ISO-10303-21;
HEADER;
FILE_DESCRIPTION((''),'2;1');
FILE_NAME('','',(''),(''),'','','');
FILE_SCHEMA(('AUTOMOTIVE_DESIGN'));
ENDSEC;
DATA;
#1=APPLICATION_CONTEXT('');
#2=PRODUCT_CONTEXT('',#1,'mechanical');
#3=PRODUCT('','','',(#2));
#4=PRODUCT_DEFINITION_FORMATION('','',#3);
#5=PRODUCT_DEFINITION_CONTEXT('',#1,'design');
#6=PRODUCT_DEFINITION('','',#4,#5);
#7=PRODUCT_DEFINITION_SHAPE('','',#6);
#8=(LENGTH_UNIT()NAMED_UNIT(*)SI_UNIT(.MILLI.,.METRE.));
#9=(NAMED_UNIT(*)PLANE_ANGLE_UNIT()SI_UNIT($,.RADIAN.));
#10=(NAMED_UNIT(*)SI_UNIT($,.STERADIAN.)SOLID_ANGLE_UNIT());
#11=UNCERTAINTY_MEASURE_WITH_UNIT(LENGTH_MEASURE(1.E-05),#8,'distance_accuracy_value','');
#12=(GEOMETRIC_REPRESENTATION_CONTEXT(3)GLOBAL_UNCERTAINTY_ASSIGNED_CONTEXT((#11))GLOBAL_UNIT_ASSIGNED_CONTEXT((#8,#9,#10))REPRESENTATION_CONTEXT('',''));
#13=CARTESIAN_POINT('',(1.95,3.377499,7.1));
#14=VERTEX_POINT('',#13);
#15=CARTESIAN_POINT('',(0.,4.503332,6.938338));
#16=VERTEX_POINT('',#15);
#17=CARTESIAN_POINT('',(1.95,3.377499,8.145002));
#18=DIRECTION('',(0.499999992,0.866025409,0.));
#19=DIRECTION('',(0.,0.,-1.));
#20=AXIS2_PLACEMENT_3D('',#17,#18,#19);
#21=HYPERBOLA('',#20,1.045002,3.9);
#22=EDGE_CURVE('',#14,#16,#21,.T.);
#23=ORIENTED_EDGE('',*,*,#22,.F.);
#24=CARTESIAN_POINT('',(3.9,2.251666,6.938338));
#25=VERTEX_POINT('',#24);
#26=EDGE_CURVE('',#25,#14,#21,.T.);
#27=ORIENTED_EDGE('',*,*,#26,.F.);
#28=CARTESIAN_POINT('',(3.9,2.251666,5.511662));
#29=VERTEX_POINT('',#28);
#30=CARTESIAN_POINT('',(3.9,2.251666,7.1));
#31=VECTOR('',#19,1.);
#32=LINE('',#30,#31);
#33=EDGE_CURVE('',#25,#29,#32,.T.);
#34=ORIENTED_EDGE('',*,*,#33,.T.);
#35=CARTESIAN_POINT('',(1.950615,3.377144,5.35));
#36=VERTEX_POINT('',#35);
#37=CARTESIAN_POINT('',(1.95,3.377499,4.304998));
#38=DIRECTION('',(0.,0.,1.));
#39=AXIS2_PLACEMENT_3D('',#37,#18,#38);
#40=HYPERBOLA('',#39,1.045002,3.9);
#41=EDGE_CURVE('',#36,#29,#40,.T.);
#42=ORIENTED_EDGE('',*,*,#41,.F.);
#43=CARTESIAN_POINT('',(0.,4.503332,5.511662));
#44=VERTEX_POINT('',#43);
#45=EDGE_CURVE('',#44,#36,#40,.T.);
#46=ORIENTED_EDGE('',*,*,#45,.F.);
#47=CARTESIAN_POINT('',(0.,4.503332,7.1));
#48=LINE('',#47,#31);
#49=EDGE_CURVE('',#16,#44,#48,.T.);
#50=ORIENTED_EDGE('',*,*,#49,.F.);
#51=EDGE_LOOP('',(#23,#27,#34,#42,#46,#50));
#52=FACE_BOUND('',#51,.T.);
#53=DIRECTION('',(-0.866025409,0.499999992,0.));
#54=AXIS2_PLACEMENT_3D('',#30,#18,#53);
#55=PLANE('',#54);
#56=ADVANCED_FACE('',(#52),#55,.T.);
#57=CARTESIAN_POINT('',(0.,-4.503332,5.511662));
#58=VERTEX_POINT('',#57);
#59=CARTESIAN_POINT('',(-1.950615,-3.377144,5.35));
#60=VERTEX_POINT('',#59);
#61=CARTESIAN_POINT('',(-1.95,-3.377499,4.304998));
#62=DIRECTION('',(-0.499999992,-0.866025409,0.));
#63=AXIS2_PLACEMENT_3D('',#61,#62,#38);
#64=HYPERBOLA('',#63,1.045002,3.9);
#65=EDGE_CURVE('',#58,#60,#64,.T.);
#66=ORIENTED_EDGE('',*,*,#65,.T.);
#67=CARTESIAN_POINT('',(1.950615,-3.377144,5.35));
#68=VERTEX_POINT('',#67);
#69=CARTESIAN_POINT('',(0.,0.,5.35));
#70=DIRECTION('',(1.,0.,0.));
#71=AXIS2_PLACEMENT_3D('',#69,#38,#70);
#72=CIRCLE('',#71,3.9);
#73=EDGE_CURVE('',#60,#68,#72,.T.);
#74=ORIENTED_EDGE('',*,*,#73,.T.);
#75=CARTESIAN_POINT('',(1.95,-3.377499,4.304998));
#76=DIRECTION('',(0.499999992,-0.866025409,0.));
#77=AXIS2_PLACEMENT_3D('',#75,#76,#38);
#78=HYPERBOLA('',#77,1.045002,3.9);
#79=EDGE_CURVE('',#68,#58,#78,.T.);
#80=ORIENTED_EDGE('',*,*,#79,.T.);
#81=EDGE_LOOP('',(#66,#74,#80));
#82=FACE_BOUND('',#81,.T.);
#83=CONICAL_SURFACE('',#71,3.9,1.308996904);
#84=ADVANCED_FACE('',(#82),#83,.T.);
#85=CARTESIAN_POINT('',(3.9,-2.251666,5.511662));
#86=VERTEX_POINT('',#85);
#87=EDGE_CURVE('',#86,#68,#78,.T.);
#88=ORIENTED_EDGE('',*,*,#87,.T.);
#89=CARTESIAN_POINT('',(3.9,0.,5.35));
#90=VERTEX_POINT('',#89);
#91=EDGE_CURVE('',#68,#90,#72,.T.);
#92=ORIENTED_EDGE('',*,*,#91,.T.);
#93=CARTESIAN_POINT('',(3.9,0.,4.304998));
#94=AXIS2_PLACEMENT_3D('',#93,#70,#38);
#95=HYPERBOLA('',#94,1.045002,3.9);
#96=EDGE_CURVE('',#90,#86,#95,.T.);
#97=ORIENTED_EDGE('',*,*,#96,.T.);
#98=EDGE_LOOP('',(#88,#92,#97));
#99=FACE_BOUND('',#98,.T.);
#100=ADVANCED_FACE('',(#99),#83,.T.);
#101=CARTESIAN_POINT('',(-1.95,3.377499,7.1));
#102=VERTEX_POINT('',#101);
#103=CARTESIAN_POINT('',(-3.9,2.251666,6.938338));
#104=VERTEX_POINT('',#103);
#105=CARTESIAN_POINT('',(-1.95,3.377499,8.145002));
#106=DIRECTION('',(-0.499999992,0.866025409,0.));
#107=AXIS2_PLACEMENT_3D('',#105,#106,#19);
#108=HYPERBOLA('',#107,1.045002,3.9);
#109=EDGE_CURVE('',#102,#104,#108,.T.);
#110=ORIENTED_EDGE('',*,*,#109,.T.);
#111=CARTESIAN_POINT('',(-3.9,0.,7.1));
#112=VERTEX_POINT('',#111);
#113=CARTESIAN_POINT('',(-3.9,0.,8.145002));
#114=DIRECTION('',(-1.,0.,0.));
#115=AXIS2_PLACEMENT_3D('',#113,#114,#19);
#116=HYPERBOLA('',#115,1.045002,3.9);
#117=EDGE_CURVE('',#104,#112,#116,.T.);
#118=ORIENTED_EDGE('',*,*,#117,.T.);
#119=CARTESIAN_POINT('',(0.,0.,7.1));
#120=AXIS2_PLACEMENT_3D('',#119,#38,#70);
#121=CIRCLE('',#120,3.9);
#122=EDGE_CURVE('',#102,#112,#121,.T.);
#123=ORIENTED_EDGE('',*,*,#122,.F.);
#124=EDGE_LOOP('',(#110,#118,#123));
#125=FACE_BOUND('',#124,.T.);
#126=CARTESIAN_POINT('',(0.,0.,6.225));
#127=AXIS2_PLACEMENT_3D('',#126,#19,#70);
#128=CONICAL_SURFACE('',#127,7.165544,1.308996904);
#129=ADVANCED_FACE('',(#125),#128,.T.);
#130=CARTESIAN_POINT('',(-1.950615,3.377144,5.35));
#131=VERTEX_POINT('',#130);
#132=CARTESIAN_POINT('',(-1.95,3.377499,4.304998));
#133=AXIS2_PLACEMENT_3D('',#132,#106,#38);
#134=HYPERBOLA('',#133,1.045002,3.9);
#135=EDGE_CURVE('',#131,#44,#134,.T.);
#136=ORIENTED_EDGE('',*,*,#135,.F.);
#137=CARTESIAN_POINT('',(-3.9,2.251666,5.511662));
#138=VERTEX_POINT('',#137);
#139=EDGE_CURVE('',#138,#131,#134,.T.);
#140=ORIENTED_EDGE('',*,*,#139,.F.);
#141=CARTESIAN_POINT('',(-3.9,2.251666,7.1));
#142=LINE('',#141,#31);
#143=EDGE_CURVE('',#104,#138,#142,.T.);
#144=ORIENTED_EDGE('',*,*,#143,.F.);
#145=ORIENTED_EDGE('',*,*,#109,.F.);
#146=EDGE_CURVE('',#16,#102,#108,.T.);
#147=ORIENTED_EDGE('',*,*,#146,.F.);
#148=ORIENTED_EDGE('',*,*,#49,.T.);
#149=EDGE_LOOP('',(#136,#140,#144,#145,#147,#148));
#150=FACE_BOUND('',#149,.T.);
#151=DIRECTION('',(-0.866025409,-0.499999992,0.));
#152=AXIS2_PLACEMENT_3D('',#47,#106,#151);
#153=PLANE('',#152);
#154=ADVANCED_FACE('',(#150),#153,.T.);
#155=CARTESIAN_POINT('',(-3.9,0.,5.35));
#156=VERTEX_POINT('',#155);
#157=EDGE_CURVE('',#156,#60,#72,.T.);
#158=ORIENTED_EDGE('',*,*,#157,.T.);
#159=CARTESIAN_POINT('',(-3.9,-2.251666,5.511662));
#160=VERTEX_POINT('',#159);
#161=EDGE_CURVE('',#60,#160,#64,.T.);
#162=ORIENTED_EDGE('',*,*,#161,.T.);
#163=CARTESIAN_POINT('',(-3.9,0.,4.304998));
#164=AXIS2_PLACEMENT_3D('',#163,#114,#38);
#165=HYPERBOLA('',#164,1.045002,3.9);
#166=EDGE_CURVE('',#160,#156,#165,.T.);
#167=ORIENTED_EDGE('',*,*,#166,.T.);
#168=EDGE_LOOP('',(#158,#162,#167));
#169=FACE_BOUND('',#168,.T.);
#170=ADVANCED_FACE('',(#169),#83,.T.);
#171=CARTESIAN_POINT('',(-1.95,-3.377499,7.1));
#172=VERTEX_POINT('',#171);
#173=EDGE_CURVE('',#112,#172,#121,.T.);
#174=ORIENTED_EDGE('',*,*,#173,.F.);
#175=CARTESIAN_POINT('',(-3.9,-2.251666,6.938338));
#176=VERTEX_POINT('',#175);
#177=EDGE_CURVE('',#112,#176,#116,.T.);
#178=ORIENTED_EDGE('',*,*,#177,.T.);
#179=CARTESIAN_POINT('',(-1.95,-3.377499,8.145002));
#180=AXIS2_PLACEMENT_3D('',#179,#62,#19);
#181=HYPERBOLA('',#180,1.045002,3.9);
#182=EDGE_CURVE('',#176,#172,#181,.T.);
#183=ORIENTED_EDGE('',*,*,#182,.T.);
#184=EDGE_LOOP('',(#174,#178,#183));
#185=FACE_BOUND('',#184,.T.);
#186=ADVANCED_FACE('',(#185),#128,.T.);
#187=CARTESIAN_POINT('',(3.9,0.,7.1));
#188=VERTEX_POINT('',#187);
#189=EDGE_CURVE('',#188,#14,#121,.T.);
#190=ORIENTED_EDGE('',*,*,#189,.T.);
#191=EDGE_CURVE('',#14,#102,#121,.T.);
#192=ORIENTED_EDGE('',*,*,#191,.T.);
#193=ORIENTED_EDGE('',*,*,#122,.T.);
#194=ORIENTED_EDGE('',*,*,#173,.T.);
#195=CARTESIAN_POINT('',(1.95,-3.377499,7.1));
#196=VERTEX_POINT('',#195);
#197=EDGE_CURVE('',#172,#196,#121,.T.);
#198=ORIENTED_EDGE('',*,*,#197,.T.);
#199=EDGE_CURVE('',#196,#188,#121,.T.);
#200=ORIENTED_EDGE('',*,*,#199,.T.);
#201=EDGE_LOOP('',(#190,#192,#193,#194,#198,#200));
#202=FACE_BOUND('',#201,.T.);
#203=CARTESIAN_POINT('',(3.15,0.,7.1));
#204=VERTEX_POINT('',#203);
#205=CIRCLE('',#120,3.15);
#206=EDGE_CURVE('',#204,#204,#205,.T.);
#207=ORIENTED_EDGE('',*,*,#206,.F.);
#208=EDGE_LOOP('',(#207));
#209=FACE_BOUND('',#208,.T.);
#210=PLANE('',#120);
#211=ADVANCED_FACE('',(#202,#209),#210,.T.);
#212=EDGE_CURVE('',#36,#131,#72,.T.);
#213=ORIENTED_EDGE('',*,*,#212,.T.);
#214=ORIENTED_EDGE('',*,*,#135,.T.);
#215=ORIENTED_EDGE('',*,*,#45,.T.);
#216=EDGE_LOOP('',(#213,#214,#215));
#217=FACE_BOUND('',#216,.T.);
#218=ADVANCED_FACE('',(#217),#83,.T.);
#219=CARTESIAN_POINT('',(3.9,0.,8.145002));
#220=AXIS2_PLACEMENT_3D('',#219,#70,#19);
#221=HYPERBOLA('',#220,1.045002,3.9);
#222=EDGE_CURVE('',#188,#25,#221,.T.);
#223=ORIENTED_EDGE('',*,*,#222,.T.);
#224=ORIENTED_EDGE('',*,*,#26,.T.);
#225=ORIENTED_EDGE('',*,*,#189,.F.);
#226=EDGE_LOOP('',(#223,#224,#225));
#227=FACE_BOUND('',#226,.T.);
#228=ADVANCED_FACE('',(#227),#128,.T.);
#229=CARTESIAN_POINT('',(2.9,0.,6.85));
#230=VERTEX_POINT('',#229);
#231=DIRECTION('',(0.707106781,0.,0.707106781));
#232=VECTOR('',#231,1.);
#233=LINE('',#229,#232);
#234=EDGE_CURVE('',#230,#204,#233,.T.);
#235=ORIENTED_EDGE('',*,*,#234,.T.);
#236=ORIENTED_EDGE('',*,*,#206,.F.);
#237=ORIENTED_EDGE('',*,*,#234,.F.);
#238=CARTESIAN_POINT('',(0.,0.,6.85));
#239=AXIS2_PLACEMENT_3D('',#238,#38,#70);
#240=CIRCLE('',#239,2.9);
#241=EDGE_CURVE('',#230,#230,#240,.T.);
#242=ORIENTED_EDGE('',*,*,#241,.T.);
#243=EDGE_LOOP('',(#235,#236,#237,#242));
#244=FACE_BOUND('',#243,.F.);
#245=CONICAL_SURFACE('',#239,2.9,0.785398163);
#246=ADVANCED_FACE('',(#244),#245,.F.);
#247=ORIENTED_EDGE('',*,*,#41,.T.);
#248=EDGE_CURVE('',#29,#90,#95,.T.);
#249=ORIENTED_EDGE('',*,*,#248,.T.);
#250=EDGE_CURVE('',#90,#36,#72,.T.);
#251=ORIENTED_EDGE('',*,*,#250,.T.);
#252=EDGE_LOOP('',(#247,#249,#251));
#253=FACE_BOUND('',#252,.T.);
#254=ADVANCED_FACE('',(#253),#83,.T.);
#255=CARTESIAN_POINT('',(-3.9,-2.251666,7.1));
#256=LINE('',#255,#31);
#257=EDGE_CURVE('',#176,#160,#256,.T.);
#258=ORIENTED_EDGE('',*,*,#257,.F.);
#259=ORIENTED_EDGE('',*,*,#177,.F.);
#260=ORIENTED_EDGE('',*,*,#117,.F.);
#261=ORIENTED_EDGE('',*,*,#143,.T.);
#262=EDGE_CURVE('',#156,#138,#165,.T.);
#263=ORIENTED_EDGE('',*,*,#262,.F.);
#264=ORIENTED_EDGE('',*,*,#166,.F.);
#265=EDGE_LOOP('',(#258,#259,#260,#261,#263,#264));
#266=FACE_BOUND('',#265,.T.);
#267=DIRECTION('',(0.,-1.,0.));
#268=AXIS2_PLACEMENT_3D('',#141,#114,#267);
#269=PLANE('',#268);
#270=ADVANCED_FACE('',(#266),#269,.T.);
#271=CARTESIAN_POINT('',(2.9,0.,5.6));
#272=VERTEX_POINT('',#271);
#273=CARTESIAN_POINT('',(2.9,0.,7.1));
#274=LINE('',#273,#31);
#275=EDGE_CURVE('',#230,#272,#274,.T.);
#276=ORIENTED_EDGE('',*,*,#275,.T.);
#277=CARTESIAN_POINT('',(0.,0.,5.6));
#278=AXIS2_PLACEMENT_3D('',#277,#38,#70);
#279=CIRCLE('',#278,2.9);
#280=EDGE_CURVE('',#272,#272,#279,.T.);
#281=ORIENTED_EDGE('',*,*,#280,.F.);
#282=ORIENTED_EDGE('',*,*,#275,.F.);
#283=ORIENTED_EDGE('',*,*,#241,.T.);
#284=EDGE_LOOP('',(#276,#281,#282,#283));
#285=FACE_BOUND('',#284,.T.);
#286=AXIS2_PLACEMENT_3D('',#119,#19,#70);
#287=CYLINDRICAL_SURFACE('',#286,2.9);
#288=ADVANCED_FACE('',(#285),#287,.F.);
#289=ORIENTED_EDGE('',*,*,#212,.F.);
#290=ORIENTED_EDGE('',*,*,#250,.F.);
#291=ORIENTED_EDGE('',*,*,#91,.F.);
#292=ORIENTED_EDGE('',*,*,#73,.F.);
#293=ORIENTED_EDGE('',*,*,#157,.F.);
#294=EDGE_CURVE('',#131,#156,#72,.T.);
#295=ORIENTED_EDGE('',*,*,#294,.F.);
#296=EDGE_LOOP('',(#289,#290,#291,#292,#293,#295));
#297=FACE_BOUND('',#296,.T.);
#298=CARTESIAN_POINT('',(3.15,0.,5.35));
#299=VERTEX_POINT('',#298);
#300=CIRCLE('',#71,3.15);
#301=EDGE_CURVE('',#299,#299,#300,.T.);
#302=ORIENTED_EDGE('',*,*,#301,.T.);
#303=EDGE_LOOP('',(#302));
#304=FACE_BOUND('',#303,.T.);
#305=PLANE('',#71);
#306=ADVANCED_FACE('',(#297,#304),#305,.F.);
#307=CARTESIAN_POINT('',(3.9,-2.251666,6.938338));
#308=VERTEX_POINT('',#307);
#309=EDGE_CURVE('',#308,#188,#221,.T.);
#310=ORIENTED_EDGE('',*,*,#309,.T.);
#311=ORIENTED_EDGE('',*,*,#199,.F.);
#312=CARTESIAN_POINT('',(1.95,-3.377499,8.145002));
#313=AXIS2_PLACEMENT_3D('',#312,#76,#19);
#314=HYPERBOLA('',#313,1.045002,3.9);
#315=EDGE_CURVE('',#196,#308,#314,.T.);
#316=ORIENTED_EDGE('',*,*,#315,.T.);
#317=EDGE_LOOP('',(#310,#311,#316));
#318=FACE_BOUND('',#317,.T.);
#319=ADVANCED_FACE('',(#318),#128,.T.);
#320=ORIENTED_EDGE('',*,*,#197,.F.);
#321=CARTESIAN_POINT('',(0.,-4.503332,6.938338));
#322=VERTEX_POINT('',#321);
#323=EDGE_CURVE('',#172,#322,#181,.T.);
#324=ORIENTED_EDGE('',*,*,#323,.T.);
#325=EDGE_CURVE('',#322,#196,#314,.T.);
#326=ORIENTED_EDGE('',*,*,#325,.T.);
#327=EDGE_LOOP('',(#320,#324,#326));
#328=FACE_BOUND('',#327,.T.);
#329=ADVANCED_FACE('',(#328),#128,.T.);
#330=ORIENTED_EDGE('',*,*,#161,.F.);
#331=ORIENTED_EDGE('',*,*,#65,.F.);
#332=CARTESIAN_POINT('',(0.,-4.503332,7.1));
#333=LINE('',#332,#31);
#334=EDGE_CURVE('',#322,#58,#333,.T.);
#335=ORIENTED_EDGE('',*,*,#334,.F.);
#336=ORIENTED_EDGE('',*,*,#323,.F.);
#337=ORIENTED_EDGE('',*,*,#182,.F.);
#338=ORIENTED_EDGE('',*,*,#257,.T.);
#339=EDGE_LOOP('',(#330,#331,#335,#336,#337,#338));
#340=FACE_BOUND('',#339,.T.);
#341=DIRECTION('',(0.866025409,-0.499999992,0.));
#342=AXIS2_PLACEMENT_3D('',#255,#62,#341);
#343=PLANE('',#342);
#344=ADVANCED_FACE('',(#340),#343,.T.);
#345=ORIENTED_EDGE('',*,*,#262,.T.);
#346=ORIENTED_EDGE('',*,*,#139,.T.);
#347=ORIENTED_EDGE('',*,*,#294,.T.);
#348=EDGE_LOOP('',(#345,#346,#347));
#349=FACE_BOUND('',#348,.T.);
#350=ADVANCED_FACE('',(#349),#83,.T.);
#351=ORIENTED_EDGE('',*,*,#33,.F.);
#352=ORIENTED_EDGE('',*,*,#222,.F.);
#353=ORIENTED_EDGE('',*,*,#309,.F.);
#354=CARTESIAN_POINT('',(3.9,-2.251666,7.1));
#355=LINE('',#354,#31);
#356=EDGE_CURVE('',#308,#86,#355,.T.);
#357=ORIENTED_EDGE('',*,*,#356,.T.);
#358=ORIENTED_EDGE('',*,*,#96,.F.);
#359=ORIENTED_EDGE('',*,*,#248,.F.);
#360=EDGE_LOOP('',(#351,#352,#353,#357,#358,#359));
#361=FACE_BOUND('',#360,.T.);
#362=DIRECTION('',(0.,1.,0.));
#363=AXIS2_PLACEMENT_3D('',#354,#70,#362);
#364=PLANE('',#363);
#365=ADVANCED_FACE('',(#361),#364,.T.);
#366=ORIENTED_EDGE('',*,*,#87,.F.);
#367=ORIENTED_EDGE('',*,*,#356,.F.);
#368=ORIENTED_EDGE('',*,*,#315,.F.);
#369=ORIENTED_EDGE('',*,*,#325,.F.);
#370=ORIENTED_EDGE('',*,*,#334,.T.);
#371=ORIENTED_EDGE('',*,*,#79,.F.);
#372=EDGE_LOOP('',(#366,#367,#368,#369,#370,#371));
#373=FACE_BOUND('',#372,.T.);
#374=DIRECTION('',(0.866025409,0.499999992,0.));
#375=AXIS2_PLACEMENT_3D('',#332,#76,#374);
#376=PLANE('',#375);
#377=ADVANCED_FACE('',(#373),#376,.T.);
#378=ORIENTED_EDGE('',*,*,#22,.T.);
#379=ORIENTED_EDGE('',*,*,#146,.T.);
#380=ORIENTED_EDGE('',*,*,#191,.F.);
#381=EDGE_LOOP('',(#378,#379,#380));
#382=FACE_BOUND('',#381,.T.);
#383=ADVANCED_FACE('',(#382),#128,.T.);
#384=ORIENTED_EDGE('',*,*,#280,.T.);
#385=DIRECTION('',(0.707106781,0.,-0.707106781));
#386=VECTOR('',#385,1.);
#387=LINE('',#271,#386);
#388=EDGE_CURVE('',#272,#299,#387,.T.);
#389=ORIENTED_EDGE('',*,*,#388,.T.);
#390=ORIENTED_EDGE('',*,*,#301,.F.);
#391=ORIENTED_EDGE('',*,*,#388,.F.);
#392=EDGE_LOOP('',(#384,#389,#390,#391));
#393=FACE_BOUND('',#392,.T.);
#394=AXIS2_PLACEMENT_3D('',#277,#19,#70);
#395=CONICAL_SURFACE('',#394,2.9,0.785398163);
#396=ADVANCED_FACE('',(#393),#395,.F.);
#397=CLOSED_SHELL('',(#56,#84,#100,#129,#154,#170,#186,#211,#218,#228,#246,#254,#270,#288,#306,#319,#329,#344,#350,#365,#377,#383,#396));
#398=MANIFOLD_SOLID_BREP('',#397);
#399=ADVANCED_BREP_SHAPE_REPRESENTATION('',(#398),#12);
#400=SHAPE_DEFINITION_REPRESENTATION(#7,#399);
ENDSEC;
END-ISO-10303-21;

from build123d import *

# Parameters (mm, degrees)
SKETCH013_R     = 8.20375
POCKET004_DEPTH = 5
CHAMFER001_SIZE = 0.25


with BuildPart() as part:
    # Sketch012 → Revolution001 (revolve)
    with BuildSketch(Plane.XZ):
        Polygon((2.9, 0.875), (2.9, -0.875), (3.9, -0.875), (7.165544, 0), (3.9, 0.875), align=None)
    revolve(axis=Axis((0, 0, 0), (0, 0, 1)))

    # Sketch013 (on Face5 of Revolution001) → Pocket004 (cut)
    with BuildSketch(Plane(origin=(0, 0, 0.875), x_dir=(-1, 0, 0), z_dir=(0, 0, 1))):
        Circle(SKETCH013_R)
        Polygon((0, 4.503332), (-3.9, 2.251666), (-3.9, -2.251666), (0, -4.503332), (3.9, -2.251666), (3.9, 2.251666), align=None, mode=Mode.SUBTRACT)
    extrude(amount=-POCKET004_DEPTH, mode=Mode.SUBTRACT)

    # Chamfer001
    chamfer001_edges = [part.edges().sort_by_distance(p)[0] for p in [
        (-2.9, 0, -0.875),
        (-2.9, 0, 0.875),
    ]]
    chamfer(chamfer001_edges, length=CHAMFER001_SIZE)


with BuildPart() as part_1:
    # Body003 placement: moved
    add(part.part.moved(Location((0, 0, 0.875))))


with BuildPart() as part_2:
    # Body004 placement: moved
    add(part_1.part.moved(Location((0, 0, 5.35))))


solid = part_2.part
